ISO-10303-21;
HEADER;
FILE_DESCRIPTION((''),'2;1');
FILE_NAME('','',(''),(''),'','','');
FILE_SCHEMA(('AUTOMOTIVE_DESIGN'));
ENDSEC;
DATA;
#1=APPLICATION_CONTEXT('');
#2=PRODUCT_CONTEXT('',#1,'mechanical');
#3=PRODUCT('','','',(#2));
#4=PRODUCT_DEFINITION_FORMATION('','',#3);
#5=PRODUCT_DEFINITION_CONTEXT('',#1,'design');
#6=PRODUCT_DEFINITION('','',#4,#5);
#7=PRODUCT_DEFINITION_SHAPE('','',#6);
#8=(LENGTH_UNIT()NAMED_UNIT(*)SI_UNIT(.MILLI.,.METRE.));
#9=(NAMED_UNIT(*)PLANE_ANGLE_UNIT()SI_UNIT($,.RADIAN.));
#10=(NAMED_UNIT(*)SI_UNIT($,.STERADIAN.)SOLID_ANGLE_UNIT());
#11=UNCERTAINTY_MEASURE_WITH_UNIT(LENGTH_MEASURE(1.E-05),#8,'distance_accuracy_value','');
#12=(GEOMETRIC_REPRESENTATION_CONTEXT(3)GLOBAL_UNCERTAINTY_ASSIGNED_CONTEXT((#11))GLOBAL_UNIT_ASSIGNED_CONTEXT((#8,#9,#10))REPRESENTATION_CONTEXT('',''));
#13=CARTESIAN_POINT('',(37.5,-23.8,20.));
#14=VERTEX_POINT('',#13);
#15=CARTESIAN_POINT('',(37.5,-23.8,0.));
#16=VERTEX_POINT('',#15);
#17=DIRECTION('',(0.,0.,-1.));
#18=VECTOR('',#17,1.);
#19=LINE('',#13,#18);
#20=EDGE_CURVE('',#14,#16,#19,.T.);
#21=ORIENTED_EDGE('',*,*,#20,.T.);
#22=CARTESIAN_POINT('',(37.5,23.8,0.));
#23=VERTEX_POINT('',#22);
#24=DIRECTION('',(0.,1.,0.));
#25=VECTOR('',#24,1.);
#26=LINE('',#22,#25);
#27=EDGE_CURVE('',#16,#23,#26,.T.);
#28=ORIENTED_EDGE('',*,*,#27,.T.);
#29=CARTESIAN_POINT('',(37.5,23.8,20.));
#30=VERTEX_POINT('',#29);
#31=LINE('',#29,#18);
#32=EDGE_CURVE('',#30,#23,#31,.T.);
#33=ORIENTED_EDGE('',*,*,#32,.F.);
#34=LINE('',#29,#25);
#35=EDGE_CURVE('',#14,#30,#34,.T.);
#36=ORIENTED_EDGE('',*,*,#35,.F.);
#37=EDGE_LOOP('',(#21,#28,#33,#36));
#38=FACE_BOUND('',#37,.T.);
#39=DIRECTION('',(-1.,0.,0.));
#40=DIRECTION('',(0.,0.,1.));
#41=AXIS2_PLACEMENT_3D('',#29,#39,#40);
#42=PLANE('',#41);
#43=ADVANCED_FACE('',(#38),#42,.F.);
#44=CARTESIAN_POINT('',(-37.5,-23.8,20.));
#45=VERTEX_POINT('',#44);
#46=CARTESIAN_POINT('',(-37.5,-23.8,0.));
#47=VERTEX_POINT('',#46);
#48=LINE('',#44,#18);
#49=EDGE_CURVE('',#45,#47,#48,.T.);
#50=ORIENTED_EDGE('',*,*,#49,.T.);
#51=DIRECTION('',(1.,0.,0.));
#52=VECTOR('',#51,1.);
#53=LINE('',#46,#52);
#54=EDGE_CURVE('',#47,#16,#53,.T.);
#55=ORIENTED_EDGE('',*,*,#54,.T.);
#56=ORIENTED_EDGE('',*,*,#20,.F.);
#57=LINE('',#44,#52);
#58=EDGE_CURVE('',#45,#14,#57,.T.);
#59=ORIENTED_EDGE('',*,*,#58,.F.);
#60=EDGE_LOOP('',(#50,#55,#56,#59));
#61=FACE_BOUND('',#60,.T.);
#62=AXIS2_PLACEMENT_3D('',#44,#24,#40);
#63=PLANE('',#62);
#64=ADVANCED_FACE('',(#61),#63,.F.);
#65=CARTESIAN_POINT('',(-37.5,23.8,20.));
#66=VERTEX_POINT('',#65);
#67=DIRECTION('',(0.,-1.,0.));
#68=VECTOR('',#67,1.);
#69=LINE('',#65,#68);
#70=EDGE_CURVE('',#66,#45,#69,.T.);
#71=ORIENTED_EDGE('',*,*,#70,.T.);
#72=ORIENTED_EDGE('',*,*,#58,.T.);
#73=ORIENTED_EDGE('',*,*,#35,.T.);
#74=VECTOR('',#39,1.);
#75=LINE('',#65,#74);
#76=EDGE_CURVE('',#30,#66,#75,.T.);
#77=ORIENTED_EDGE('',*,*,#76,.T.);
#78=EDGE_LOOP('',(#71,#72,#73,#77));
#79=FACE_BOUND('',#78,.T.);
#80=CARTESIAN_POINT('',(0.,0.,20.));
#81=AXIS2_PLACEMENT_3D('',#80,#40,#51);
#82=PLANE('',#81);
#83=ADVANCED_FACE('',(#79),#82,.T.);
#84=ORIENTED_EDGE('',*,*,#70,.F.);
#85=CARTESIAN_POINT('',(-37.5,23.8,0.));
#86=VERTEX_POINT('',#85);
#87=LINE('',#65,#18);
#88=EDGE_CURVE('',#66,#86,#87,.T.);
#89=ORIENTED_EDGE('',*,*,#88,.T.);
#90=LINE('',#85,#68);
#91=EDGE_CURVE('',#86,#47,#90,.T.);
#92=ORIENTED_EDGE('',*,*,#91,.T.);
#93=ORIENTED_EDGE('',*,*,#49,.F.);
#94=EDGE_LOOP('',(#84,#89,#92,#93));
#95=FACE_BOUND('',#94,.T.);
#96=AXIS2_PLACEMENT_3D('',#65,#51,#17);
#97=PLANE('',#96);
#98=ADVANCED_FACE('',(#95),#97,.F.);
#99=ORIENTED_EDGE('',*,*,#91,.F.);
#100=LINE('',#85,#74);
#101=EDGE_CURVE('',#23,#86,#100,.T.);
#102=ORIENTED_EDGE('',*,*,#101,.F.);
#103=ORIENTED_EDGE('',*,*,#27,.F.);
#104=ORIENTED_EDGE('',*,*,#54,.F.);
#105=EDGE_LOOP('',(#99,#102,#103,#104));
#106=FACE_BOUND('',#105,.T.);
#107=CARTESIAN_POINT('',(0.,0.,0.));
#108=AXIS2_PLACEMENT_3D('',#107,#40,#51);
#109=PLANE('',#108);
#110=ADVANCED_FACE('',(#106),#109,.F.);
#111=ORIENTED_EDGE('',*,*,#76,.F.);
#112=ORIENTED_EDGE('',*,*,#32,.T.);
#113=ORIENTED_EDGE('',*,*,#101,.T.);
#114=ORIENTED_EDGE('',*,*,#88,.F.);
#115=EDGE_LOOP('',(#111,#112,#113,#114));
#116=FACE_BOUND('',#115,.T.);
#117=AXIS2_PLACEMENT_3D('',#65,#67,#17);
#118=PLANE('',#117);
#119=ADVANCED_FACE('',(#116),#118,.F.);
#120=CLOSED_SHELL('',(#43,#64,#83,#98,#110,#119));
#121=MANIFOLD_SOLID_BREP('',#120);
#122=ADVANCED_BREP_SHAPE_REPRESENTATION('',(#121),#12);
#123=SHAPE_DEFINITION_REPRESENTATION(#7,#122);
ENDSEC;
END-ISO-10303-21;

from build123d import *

# Parameters (mm, degrees)
SKETCH_1_W      = 75
SKETCH_1_H      = 47.6
EXTRUDE_1_DEPTH = 20


with BuildPart() as part:
    # 草图1 → 凸台-拉伸1 (new body)
    with BuildSketch(Plane.XY):
        Rectangle(SKETCH_1_W, SKETCH_1_H)
    extrude(amount=EXTRUDE_1_DEPTH)


solid = part.part
